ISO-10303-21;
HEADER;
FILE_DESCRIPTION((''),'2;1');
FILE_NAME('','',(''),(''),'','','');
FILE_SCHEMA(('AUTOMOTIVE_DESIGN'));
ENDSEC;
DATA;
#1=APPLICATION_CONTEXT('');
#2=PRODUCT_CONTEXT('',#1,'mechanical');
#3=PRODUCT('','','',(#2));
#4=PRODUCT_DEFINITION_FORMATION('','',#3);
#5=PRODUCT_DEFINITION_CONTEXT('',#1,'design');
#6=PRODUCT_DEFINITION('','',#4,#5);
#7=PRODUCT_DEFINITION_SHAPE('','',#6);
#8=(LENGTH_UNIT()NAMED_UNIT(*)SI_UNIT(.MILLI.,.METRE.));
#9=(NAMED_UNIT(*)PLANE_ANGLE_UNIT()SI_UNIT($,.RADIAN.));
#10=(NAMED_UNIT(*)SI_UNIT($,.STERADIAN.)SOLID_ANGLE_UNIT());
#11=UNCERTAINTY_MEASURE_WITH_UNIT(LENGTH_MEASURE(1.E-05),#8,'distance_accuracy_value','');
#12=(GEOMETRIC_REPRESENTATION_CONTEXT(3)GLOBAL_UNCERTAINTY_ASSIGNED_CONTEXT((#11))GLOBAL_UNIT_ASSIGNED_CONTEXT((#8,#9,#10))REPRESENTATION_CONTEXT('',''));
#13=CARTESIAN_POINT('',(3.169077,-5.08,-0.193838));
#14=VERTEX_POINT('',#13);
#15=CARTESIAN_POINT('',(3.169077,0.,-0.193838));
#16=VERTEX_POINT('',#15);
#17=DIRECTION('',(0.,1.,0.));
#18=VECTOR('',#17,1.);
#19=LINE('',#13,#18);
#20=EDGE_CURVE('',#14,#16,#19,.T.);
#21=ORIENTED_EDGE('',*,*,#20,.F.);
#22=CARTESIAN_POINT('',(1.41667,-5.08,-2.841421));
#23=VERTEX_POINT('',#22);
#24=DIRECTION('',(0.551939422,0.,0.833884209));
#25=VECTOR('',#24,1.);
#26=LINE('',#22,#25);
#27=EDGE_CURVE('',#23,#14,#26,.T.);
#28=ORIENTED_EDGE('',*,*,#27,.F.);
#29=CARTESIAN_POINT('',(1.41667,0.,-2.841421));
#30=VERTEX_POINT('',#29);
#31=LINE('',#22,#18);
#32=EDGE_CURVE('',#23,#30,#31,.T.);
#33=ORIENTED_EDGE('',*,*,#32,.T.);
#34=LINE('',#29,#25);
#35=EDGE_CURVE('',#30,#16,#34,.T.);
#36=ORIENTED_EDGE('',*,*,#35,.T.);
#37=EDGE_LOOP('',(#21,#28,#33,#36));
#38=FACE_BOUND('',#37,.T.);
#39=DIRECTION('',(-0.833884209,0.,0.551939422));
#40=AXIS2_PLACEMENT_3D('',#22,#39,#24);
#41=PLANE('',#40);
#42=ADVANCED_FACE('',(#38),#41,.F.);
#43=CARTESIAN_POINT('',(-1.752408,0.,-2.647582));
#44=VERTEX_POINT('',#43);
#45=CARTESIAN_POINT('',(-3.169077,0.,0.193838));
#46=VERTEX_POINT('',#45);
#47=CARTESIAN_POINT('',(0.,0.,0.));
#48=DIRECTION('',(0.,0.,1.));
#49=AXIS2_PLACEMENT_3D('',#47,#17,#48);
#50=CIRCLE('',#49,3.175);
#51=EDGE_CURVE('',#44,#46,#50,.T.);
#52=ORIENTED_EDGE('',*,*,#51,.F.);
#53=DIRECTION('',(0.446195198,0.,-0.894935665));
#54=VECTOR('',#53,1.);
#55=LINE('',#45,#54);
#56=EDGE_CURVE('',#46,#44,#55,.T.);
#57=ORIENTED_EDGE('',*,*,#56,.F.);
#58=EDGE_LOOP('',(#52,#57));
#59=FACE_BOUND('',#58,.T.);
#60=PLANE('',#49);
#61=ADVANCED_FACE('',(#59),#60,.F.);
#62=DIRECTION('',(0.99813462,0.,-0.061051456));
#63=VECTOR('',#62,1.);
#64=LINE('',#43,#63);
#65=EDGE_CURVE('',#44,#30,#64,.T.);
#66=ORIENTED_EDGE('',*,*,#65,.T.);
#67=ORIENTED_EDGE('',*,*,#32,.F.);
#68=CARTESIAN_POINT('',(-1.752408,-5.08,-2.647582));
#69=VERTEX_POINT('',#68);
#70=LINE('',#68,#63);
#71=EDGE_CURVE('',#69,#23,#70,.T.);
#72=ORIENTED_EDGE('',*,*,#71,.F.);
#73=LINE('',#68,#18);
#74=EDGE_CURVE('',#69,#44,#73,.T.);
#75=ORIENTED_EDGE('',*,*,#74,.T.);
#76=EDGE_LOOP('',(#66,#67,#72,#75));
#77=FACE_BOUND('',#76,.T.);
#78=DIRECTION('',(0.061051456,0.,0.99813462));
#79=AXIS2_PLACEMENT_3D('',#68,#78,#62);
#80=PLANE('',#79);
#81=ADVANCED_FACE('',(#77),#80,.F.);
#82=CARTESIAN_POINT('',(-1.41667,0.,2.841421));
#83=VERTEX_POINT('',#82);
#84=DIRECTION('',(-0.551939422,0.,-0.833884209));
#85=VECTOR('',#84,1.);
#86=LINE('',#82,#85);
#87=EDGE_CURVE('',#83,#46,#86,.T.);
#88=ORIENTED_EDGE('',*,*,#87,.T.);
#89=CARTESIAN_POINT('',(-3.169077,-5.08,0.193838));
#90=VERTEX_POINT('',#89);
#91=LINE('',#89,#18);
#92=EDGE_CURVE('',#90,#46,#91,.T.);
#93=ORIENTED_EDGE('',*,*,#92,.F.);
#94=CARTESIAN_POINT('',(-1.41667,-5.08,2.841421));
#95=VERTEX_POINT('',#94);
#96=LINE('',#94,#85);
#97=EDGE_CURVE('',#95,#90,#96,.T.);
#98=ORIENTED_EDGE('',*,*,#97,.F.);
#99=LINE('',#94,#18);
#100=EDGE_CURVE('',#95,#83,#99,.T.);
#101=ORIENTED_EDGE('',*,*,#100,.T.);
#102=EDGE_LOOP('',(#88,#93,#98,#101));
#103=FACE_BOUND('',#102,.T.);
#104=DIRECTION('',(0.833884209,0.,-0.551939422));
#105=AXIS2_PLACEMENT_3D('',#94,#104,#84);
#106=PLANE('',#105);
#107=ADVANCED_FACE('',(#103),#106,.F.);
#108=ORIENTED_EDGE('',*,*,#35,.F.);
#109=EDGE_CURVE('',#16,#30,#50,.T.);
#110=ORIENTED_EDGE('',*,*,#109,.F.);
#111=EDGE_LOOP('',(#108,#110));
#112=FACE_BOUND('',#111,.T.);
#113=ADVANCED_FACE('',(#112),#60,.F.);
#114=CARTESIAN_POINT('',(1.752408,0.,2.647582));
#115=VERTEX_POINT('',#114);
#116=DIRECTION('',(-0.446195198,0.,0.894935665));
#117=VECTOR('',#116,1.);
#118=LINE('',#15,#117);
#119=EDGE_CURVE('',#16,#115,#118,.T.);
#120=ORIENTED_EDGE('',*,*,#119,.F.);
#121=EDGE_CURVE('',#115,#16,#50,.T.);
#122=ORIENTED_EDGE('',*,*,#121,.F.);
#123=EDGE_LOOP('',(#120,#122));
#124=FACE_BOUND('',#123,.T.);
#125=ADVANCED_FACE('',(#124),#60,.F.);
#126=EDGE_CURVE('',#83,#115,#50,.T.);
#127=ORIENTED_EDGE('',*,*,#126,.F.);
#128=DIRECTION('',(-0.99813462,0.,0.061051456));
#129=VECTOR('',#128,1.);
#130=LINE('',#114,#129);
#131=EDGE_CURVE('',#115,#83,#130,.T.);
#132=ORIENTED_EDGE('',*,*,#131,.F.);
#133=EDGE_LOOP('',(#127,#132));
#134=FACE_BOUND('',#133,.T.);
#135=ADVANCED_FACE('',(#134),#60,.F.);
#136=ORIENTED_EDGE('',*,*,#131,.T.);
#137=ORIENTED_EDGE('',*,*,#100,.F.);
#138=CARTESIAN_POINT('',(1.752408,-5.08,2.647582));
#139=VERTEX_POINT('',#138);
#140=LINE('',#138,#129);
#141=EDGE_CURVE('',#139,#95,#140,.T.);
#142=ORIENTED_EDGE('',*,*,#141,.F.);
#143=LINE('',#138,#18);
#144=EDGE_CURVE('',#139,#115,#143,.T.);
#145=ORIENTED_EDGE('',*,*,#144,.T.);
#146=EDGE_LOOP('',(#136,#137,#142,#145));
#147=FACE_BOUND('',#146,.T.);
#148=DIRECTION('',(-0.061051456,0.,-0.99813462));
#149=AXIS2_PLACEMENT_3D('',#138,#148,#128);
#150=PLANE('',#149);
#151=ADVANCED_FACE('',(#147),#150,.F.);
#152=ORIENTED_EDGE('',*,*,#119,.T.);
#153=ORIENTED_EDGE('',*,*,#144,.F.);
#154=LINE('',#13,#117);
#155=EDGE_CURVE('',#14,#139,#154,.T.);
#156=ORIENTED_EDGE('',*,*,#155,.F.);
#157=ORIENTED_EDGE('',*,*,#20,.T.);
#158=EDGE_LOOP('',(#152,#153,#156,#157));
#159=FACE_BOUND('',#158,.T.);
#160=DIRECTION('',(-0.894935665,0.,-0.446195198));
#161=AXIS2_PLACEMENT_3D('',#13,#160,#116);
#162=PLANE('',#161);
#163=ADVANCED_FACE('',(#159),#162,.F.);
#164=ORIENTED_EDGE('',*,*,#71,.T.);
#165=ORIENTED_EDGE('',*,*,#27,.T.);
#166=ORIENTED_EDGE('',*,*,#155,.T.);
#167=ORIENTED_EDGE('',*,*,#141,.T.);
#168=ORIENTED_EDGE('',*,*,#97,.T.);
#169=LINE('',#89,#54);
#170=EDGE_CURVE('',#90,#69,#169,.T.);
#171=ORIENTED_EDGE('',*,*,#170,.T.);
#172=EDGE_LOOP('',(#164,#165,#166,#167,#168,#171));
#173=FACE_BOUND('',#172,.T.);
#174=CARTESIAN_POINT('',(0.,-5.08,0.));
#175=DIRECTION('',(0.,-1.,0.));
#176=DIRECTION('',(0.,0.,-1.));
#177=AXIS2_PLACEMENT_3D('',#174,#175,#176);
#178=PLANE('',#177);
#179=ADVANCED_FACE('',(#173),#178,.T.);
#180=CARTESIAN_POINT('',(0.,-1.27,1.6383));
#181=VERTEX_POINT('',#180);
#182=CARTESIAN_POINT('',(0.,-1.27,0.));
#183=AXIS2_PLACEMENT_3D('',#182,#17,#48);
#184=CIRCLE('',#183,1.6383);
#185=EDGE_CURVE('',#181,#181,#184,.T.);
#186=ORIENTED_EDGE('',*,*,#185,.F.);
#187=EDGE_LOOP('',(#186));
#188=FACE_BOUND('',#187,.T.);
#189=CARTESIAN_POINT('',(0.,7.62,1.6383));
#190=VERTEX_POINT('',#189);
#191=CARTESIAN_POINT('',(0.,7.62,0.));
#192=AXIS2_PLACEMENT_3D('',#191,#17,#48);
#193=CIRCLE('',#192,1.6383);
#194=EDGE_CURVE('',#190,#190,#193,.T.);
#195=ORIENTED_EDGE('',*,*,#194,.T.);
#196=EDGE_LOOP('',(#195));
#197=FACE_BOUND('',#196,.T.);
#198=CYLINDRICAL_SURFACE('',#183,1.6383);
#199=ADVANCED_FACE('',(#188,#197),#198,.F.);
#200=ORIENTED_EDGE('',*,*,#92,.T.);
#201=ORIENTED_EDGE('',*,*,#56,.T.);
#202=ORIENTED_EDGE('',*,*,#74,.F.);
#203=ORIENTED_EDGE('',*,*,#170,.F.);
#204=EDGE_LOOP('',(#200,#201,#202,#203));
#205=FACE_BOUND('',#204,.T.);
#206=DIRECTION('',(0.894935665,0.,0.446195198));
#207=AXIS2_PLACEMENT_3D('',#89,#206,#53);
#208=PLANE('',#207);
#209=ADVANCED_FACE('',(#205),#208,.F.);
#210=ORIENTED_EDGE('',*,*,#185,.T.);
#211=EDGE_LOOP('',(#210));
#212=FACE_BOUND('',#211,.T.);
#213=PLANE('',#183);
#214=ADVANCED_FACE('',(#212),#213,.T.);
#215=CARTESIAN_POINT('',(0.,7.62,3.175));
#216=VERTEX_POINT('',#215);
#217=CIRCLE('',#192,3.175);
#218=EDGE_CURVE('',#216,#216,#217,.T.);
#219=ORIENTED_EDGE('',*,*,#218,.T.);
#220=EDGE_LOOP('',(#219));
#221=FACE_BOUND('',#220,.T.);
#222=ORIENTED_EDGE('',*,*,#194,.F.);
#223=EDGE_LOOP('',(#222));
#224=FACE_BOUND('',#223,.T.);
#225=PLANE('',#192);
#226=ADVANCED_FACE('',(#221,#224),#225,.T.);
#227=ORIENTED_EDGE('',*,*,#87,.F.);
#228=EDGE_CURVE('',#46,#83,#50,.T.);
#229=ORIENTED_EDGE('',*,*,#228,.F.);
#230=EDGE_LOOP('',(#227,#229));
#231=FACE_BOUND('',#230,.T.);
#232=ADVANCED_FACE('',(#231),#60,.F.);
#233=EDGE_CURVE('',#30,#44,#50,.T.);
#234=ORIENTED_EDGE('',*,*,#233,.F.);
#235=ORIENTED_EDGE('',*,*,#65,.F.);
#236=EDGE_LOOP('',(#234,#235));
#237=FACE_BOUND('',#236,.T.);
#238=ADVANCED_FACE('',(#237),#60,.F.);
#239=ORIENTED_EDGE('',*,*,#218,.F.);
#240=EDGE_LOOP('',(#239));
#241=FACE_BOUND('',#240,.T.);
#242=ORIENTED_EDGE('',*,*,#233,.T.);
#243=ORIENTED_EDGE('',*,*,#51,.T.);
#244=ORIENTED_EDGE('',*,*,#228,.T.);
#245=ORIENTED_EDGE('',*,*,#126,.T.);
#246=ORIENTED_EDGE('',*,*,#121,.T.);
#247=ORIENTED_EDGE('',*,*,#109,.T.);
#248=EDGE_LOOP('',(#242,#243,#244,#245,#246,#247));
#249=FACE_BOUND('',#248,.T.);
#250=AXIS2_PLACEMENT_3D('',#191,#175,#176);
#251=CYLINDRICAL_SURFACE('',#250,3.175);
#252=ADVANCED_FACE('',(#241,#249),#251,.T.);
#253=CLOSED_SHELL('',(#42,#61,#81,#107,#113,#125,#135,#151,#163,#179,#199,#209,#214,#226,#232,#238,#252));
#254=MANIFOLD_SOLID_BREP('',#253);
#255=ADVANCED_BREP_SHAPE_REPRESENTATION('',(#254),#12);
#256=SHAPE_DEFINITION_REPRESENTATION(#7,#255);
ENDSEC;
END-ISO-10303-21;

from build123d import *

# Parameters (mm, degrees)
SKETCH1_R           = 3.175
BOSS_EXTRUDE1_DEPTH = 7.62
BOSS_EXTRUDE2_DEPTH = 5.08
SKETCH4_R           = 1.6383
CUT_EXTRUDE1_DEPTH  = 8.89


with BuildPart() as part:
    # Sketch1 → Boss-Extrude1 (new body)
    with BuildSketch(Plane(origin=(0, 0, 0), x_dir=(1, 0, 0), z_dir=(0, 1, 0))):
        with Locations(Location((0, 0, 0), (0, 0, 90))):
            Circle(SKETCH1_R)
    extrude(amount=BOSS_EXTRUDE1_DEPTH)

    # Sketch3 → Boss-Extrude2 (add)
    with BuildSketch(Plane.XZ):
        Polygon((-1.416669754, 2.841420738), (-3.169077419, 0.193838373), (-1.752407664, -2.647582365), (1.416669754, -2.841420738), (3.169077419, -0.193838373), (1.752407664, 2.647582365), align=None)
    extrude(amount=BOSS_EXTRUDE2_DEPTH)

    # Sketch4 → Cut-Extrude1 (cut)
    with BuildSketch(Plane(origin=(0, 7.62, 0), x_dir=(1, 0, 0), z_dir=(0, 1, 0))):
        with Locations(Location((0, 0, 0), (0, 0, 270))):
            Circle(SKETCH4_R)
    extrude(amount=-CUT_EXTRUDE1_DEPTH, mode=Mode.SUBTRACT)


solid = part.part
